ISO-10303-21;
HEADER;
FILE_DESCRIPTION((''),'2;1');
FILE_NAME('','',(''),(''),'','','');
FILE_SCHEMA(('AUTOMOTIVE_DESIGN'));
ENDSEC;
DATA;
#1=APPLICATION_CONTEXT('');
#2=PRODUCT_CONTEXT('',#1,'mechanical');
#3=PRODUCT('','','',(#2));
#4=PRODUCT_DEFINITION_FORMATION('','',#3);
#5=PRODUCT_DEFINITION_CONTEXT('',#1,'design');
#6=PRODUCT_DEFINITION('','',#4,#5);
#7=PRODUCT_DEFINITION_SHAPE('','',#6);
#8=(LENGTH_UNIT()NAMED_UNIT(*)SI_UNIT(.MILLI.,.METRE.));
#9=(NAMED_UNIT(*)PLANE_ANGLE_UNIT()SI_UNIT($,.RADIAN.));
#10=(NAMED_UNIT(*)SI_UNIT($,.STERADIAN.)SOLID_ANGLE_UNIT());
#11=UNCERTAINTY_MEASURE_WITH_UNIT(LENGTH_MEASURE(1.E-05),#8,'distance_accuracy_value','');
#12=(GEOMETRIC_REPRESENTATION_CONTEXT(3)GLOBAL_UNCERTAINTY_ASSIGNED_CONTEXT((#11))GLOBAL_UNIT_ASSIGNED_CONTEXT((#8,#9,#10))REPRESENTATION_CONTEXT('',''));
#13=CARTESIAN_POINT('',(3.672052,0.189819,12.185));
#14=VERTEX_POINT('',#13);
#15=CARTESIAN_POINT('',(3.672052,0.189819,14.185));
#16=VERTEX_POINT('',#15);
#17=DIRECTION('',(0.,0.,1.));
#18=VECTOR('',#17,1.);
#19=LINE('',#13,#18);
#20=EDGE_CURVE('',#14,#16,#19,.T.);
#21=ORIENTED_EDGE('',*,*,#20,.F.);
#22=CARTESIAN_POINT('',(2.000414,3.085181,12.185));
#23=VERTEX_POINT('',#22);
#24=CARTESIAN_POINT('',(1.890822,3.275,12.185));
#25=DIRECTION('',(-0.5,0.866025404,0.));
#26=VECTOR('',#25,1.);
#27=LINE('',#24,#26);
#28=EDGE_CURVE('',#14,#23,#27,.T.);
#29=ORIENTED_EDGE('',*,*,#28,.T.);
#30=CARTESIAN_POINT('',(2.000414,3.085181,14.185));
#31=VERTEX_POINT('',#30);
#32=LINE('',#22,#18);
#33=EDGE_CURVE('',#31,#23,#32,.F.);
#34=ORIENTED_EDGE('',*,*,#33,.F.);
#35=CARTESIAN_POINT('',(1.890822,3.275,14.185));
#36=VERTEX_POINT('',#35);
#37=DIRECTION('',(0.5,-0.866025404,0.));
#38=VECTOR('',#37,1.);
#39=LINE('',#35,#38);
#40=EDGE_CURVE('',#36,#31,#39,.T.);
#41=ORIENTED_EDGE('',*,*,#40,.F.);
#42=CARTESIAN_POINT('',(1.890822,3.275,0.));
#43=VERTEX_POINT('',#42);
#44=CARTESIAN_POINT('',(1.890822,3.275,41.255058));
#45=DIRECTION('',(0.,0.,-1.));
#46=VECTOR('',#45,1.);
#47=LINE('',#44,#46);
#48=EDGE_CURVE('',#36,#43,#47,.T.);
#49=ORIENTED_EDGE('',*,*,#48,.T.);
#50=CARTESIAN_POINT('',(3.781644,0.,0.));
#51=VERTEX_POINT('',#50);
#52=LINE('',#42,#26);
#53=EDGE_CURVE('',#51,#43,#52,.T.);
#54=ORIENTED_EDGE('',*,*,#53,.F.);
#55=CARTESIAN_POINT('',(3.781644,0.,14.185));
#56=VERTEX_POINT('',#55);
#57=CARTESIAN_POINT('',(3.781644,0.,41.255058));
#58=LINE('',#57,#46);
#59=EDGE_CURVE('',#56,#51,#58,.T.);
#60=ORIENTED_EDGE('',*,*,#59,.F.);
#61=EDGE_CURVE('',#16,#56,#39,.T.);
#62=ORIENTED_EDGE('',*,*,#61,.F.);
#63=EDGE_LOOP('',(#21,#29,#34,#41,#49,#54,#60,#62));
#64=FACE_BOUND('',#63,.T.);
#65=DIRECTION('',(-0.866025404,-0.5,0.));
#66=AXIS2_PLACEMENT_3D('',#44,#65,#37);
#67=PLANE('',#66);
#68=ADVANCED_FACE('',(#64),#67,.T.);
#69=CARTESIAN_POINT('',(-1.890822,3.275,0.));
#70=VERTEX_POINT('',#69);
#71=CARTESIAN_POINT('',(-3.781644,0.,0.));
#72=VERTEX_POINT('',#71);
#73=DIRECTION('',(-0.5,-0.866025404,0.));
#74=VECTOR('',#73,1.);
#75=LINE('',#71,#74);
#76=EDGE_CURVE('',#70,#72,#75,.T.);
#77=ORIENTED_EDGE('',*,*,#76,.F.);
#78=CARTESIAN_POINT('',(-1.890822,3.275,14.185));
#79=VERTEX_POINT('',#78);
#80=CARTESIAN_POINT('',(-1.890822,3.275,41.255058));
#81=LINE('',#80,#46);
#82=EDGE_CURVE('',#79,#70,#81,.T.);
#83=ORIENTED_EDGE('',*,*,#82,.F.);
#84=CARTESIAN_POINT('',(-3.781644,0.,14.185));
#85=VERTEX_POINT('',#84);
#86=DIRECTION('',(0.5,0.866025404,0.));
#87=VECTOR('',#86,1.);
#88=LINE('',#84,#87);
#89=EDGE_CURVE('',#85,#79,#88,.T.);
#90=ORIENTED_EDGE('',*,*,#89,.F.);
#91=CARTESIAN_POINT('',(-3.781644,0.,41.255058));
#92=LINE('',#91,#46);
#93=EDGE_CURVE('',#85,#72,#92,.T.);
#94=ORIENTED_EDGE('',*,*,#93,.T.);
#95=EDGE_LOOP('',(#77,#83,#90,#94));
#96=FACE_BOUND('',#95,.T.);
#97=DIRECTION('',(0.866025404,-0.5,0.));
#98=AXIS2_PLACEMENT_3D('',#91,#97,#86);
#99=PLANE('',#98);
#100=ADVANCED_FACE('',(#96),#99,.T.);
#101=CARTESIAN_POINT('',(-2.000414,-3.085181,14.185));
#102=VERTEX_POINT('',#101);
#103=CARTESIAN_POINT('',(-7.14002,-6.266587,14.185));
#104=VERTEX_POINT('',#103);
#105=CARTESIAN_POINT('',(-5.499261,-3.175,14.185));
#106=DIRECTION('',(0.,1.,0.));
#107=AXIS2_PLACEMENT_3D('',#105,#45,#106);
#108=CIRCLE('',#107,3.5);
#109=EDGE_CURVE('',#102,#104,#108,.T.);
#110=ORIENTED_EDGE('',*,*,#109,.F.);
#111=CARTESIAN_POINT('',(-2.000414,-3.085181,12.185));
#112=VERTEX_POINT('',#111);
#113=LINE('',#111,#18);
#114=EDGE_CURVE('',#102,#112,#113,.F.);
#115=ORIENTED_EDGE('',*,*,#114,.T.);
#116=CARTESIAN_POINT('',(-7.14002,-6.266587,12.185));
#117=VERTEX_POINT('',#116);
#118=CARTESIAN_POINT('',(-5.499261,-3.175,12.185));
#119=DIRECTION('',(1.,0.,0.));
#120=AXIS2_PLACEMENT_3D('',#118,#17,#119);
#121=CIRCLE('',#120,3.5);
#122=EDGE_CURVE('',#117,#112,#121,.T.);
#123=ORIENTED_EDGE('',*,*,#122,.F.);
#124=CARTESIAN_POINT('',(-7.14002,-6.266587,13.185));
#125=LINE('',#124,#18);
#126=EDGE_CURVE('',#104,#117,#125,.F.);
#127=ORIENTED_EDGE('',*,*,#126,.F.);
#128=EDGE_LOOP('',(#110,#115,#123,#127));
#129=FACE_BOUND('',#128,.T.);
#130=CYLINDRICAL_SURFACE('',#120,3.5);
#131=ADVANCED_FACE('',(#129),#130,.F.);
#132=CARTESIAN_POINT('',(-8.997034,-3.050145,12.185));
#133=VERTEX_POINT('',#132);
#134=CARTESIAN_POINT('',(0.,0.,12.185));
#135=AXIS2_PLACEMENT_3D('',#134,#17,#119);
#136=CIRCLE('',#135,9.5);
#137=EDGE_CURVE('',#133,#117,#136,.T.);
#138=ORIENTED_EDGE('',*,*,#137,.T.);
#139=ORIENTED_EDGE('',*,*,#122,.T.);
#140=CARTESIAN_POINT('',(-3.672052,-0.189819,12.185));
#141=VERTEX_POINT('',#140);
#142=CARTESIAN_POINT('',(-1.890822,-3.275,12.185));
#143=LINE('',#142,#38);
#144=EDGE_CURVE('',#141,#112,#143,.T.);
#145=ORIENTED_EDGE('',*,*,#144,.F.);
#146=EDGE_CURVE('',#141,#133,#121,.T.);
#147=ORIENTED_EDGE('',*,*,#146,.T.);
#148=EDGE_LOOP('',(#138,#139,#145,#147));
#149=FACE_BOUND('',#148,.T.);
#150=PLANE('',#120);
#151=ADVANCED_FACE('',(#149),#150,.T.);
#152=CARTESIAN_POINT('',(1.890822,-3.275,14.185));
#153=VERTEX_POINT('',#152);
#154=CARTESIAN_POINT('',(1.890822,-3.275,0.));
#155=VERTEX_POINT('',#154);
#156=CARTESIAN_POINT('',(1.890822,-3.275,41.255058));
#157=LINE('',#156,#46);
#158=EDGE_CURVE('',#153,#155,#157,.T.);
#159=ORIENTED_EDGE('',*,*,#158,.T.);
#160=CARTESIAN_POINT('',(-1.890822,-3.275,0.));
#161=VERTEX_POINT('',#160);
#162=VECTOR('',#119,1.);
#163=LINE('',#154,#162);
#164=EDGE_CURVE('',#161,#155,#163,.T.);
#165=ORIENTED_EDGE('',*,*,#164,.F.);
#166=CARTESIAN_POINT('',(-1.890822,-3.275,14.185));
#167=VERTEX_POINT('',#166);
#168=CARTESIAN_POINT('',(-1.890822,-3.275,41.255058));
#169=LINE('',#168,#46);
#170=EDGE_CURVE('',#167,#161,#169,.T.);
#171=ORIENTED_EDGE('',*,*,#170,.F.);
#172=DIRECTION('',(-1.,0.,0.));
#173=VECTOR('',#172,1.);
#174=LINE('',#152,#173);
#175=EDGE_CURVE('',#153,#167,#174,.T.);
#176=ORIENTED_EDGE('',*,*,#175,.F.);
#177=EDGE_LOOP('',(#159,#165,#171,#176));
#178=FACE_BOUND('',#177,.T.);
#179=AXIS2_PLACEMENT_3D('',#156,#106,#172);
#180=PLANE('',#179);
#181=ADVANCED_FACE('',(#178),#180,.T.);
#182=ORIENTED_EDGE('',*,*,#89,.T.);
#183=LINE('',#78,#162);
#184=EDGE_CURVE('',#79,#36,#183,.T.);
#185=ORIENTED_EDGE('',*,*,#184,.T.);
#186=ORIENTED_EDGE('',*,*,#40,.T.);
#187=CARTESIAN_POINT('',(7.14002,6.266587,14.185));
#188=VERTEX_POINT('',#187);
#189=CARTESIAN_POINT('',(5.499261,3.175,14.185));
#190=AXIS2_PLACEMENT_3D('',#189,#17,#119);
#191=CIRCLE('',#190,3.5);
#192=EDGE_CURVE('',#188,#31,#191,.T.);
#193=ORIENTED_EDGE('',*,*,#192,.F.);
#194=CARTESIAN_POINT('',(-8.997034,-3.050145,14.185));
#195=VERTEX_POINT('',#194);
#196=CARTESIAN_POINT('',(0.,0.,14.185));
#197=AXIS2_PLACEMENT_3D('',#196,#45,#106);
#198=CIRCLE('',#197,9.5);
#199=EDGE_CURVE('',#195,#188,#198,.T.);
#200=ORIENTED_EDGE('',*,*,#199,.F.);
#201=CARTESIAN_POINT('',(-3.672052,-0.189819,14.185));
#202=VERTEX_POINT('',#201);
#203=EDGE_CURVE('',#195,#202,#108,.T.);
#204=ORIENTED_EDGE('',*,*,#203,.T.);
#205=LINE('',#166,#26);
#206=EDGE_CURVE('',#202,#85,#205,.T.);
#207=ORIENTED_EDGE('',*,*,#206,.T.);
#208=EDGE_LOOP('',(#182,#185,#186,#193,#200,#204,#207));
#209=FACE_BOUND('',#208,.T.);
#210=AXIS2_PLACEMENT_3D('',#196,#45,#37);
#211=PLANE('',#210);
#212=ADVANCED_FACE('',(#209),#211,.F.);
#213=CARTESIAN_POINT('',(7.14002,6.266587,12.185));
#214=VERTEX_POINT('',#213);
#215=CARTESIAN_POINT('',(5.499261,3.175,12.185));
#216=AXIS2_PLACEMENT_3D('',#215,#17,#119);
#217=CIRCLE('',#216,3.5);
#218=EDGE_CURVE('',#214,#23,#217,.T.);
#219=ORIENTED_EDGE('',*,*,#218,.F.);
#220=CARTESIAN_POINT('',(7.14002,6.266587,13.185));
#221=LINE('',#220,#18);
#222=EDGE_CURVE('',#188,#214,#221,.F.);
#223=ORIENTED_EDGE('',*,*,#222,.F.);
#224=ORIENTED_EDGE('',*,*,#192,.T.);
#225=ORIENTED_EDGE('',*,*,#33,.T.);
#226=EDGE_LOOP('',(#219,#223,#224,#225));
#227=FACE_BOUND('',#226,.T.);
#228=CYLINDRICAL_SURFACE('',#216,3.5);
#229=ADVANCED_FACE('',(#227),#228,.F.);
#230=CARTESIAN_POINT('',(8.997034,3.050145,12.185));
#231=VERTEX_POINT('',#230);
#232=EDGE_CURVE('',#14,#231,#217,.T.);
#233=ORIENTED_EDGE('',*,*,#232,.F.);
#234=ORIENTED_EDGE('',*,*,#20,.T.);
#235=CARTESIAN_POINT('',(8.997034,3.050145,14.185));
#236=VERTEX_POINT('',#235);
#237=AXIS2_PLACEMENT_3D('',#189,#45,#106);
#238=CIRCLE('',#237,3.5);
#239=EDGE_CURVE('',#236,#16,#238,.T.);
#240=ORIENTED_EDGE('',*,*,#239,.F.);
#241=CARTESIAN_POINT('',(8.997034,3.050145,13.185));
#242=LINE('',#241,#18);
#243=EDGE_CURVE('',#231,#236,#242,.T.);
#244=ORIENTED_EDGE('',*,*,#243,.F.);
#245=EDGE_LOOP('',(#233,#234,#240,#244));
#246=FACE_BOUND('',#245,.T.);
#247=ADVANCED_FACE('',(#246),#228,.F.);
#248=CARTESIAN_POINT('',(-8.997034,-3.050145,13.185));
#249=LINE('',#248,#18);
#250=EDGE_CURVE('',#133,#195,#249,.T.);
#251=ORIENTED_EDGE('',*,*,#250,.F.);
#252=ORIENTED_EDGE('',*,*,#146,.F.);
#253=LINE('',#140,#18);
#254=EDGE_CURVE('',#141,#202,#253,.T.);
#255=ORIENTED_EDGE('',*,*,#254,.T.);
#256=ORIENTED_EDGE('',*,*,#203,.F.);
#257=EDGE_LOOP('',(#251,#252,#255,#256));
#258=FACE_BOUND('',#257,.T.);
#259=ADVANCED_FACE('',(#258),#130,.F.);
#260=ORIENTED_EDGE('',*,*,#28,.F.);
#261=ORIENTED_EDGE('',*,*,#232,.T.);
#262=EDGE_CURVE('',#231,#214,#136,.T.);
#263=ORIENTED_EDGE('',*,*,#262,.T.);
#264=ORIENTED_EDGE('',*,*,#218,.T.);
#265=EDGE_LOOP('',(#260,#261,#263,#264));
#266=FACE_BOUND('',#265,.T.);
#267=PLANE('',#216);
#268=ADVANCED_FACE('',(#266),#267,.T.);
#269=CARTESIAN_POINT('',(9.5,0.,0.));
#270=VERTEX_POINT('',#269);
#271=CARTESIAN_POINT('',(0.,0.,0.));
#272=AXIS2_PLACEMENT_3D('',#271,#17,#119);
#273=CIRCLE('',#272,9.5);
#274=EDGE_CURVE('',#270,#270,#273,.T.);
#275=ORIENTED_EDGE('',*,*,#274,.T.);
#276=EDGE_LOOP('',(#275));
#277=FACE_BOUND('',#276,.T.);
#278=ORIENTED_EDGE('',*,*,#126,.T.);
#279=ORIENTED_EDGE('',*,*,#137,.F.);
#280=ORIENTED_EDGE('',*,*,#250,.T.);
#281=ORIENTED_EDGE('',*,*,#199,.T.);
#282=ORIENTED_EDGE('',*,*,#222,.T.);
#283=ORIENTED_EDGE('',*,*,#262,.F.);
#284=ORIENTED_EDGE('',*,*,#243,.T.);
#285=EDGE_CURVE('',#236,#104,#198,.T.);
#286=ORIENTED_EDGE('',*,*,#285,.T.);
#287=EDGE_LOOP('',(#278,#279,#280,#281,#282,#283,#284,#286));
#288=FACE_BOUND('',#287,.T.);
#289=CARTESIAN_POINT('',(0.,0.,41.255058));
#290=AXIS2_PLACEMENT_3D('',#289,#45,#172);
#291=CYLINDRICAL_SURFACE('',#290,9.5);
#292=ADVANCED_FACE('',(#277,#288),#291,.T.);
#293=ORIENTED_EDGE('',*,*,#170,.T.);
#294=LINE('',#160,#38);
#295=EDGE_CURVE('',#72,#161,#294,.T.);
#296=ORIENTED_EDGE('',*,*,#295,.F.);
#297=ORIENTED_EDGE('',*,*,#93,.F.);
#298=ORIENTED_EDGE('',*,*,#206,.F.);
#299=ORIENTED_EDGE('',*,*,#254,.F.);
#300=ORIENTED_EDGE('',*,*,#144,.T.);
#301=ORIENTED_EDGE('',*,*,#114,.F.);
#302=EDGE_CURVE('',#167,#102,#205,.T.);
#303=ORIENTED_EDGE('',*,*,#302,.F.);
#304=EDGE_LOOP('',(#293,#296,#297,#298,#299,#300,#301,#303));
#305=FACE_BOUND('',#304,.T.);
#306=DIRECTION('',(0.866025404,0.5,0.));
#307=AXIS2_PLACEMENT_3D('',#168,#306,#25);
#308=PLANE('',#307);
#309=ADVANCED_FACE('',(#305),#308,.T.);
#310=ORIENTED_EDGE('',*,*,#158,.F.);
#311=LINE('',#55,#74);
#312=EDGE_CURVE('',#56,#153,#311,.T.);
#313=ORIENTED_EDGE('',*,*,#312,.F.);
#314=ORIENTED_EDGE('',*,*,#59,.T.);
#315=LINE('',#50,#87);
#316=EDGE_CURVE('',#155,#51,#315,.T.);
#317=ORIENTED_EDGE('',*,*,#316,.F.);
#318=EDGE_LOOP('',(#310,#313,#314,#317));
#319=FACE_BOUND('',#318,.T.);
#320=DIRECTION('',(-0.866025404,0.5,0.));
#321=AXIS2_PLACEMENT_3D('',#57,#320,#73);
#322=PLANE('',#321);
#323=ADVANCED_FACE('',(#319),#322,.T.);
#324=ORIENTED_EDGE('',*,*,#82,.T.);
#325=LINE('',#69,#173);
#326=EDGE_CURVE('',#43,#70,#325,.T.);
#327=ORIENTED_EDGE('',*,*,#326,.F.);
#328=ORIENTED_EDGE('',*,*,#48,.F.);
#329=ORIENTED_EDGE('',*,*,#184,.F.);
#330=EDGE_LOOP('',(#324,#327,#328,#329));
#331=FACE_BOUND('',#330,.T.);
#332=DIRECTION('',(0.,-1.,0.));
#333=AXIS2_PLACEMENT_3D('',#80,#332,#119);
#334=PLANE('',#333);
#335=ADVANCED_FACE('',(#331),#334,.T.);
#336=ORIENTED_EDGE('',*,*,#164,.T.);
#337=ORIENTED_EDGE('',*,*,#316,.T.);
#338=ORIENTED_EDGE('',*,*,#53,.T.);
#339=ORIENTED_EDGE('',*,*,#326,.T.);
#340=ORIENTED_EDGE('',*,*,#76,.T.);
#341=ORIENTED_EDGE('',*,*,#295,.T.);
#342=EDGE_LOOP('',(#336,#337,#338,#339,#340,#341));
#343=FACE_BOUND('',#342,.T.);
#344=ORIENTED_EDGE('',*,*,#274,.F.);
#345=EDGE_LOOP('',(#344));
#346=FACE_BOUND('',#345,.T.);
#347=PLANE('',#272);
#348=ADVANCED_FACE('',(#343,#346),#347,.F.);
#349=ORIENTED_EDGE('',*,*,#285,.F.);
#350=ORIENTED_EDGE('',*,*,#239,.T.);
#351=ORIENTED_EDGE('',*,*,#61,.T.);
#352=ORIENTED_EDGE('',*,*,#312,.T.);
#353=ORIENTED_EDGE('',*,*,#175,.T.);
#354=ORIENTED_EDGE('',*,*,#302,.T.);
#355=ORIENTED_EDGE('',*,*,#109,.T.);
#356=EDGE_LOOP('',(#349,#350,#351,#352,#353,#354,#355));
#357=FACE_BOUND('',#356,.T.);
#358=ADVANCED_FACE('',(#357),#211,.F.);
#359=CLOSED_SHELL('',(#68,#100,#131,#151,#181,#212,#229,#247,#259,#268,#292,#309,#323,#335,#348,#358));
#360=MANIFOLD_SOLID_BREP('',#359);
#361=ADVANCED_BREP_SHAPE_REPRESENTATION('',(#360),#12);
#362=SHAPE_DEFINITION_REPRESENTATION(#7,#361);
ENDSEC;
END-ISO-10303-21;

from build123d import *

# Parameters (mm, degrees)
SKETCH1_R           = 9.5
BOSS_EXTRUDE1_DEPTH = 14.185
SKETCH2_R           = 3.5
CUT_EXTRUDE1_DEPTH  = 2


with BuildPart() as part:
    # Sketch1 → Boss-Extrude1 (new body)
    with BuildSketch(Plane.XY):
        with Locations(Location((0, 0, 0), (0, 0, 180))):
            Circle(SKETCH1_R)
        Polygon((1.890822132, -3.275), (-1.890822132, -3.275), (-3.781644263, 0), (-1.890822132, 3.275), (1.890822132, 3.275), (3.781644263, 0), align=None, mode=Mode.SUBTRACT)
    extrude(amount=BOSS_EXTRUDE1_DEPTH)

    # Sketch2 → Cut-Extrude1 (cut)
    with BuildSketch(Plane.XY.offset(14.185)):
        with Locations((5.499261314, 3.175)):
            Circle(SKETCH2_R)
        with Locations((-5.499261314, -3.175)):
            Circle(SKETCH2_R)
    extrude(amount=-CUT_EXTRUDE1_DEPTH, mode=Mode.SUBTRACT)


solid = part.part
